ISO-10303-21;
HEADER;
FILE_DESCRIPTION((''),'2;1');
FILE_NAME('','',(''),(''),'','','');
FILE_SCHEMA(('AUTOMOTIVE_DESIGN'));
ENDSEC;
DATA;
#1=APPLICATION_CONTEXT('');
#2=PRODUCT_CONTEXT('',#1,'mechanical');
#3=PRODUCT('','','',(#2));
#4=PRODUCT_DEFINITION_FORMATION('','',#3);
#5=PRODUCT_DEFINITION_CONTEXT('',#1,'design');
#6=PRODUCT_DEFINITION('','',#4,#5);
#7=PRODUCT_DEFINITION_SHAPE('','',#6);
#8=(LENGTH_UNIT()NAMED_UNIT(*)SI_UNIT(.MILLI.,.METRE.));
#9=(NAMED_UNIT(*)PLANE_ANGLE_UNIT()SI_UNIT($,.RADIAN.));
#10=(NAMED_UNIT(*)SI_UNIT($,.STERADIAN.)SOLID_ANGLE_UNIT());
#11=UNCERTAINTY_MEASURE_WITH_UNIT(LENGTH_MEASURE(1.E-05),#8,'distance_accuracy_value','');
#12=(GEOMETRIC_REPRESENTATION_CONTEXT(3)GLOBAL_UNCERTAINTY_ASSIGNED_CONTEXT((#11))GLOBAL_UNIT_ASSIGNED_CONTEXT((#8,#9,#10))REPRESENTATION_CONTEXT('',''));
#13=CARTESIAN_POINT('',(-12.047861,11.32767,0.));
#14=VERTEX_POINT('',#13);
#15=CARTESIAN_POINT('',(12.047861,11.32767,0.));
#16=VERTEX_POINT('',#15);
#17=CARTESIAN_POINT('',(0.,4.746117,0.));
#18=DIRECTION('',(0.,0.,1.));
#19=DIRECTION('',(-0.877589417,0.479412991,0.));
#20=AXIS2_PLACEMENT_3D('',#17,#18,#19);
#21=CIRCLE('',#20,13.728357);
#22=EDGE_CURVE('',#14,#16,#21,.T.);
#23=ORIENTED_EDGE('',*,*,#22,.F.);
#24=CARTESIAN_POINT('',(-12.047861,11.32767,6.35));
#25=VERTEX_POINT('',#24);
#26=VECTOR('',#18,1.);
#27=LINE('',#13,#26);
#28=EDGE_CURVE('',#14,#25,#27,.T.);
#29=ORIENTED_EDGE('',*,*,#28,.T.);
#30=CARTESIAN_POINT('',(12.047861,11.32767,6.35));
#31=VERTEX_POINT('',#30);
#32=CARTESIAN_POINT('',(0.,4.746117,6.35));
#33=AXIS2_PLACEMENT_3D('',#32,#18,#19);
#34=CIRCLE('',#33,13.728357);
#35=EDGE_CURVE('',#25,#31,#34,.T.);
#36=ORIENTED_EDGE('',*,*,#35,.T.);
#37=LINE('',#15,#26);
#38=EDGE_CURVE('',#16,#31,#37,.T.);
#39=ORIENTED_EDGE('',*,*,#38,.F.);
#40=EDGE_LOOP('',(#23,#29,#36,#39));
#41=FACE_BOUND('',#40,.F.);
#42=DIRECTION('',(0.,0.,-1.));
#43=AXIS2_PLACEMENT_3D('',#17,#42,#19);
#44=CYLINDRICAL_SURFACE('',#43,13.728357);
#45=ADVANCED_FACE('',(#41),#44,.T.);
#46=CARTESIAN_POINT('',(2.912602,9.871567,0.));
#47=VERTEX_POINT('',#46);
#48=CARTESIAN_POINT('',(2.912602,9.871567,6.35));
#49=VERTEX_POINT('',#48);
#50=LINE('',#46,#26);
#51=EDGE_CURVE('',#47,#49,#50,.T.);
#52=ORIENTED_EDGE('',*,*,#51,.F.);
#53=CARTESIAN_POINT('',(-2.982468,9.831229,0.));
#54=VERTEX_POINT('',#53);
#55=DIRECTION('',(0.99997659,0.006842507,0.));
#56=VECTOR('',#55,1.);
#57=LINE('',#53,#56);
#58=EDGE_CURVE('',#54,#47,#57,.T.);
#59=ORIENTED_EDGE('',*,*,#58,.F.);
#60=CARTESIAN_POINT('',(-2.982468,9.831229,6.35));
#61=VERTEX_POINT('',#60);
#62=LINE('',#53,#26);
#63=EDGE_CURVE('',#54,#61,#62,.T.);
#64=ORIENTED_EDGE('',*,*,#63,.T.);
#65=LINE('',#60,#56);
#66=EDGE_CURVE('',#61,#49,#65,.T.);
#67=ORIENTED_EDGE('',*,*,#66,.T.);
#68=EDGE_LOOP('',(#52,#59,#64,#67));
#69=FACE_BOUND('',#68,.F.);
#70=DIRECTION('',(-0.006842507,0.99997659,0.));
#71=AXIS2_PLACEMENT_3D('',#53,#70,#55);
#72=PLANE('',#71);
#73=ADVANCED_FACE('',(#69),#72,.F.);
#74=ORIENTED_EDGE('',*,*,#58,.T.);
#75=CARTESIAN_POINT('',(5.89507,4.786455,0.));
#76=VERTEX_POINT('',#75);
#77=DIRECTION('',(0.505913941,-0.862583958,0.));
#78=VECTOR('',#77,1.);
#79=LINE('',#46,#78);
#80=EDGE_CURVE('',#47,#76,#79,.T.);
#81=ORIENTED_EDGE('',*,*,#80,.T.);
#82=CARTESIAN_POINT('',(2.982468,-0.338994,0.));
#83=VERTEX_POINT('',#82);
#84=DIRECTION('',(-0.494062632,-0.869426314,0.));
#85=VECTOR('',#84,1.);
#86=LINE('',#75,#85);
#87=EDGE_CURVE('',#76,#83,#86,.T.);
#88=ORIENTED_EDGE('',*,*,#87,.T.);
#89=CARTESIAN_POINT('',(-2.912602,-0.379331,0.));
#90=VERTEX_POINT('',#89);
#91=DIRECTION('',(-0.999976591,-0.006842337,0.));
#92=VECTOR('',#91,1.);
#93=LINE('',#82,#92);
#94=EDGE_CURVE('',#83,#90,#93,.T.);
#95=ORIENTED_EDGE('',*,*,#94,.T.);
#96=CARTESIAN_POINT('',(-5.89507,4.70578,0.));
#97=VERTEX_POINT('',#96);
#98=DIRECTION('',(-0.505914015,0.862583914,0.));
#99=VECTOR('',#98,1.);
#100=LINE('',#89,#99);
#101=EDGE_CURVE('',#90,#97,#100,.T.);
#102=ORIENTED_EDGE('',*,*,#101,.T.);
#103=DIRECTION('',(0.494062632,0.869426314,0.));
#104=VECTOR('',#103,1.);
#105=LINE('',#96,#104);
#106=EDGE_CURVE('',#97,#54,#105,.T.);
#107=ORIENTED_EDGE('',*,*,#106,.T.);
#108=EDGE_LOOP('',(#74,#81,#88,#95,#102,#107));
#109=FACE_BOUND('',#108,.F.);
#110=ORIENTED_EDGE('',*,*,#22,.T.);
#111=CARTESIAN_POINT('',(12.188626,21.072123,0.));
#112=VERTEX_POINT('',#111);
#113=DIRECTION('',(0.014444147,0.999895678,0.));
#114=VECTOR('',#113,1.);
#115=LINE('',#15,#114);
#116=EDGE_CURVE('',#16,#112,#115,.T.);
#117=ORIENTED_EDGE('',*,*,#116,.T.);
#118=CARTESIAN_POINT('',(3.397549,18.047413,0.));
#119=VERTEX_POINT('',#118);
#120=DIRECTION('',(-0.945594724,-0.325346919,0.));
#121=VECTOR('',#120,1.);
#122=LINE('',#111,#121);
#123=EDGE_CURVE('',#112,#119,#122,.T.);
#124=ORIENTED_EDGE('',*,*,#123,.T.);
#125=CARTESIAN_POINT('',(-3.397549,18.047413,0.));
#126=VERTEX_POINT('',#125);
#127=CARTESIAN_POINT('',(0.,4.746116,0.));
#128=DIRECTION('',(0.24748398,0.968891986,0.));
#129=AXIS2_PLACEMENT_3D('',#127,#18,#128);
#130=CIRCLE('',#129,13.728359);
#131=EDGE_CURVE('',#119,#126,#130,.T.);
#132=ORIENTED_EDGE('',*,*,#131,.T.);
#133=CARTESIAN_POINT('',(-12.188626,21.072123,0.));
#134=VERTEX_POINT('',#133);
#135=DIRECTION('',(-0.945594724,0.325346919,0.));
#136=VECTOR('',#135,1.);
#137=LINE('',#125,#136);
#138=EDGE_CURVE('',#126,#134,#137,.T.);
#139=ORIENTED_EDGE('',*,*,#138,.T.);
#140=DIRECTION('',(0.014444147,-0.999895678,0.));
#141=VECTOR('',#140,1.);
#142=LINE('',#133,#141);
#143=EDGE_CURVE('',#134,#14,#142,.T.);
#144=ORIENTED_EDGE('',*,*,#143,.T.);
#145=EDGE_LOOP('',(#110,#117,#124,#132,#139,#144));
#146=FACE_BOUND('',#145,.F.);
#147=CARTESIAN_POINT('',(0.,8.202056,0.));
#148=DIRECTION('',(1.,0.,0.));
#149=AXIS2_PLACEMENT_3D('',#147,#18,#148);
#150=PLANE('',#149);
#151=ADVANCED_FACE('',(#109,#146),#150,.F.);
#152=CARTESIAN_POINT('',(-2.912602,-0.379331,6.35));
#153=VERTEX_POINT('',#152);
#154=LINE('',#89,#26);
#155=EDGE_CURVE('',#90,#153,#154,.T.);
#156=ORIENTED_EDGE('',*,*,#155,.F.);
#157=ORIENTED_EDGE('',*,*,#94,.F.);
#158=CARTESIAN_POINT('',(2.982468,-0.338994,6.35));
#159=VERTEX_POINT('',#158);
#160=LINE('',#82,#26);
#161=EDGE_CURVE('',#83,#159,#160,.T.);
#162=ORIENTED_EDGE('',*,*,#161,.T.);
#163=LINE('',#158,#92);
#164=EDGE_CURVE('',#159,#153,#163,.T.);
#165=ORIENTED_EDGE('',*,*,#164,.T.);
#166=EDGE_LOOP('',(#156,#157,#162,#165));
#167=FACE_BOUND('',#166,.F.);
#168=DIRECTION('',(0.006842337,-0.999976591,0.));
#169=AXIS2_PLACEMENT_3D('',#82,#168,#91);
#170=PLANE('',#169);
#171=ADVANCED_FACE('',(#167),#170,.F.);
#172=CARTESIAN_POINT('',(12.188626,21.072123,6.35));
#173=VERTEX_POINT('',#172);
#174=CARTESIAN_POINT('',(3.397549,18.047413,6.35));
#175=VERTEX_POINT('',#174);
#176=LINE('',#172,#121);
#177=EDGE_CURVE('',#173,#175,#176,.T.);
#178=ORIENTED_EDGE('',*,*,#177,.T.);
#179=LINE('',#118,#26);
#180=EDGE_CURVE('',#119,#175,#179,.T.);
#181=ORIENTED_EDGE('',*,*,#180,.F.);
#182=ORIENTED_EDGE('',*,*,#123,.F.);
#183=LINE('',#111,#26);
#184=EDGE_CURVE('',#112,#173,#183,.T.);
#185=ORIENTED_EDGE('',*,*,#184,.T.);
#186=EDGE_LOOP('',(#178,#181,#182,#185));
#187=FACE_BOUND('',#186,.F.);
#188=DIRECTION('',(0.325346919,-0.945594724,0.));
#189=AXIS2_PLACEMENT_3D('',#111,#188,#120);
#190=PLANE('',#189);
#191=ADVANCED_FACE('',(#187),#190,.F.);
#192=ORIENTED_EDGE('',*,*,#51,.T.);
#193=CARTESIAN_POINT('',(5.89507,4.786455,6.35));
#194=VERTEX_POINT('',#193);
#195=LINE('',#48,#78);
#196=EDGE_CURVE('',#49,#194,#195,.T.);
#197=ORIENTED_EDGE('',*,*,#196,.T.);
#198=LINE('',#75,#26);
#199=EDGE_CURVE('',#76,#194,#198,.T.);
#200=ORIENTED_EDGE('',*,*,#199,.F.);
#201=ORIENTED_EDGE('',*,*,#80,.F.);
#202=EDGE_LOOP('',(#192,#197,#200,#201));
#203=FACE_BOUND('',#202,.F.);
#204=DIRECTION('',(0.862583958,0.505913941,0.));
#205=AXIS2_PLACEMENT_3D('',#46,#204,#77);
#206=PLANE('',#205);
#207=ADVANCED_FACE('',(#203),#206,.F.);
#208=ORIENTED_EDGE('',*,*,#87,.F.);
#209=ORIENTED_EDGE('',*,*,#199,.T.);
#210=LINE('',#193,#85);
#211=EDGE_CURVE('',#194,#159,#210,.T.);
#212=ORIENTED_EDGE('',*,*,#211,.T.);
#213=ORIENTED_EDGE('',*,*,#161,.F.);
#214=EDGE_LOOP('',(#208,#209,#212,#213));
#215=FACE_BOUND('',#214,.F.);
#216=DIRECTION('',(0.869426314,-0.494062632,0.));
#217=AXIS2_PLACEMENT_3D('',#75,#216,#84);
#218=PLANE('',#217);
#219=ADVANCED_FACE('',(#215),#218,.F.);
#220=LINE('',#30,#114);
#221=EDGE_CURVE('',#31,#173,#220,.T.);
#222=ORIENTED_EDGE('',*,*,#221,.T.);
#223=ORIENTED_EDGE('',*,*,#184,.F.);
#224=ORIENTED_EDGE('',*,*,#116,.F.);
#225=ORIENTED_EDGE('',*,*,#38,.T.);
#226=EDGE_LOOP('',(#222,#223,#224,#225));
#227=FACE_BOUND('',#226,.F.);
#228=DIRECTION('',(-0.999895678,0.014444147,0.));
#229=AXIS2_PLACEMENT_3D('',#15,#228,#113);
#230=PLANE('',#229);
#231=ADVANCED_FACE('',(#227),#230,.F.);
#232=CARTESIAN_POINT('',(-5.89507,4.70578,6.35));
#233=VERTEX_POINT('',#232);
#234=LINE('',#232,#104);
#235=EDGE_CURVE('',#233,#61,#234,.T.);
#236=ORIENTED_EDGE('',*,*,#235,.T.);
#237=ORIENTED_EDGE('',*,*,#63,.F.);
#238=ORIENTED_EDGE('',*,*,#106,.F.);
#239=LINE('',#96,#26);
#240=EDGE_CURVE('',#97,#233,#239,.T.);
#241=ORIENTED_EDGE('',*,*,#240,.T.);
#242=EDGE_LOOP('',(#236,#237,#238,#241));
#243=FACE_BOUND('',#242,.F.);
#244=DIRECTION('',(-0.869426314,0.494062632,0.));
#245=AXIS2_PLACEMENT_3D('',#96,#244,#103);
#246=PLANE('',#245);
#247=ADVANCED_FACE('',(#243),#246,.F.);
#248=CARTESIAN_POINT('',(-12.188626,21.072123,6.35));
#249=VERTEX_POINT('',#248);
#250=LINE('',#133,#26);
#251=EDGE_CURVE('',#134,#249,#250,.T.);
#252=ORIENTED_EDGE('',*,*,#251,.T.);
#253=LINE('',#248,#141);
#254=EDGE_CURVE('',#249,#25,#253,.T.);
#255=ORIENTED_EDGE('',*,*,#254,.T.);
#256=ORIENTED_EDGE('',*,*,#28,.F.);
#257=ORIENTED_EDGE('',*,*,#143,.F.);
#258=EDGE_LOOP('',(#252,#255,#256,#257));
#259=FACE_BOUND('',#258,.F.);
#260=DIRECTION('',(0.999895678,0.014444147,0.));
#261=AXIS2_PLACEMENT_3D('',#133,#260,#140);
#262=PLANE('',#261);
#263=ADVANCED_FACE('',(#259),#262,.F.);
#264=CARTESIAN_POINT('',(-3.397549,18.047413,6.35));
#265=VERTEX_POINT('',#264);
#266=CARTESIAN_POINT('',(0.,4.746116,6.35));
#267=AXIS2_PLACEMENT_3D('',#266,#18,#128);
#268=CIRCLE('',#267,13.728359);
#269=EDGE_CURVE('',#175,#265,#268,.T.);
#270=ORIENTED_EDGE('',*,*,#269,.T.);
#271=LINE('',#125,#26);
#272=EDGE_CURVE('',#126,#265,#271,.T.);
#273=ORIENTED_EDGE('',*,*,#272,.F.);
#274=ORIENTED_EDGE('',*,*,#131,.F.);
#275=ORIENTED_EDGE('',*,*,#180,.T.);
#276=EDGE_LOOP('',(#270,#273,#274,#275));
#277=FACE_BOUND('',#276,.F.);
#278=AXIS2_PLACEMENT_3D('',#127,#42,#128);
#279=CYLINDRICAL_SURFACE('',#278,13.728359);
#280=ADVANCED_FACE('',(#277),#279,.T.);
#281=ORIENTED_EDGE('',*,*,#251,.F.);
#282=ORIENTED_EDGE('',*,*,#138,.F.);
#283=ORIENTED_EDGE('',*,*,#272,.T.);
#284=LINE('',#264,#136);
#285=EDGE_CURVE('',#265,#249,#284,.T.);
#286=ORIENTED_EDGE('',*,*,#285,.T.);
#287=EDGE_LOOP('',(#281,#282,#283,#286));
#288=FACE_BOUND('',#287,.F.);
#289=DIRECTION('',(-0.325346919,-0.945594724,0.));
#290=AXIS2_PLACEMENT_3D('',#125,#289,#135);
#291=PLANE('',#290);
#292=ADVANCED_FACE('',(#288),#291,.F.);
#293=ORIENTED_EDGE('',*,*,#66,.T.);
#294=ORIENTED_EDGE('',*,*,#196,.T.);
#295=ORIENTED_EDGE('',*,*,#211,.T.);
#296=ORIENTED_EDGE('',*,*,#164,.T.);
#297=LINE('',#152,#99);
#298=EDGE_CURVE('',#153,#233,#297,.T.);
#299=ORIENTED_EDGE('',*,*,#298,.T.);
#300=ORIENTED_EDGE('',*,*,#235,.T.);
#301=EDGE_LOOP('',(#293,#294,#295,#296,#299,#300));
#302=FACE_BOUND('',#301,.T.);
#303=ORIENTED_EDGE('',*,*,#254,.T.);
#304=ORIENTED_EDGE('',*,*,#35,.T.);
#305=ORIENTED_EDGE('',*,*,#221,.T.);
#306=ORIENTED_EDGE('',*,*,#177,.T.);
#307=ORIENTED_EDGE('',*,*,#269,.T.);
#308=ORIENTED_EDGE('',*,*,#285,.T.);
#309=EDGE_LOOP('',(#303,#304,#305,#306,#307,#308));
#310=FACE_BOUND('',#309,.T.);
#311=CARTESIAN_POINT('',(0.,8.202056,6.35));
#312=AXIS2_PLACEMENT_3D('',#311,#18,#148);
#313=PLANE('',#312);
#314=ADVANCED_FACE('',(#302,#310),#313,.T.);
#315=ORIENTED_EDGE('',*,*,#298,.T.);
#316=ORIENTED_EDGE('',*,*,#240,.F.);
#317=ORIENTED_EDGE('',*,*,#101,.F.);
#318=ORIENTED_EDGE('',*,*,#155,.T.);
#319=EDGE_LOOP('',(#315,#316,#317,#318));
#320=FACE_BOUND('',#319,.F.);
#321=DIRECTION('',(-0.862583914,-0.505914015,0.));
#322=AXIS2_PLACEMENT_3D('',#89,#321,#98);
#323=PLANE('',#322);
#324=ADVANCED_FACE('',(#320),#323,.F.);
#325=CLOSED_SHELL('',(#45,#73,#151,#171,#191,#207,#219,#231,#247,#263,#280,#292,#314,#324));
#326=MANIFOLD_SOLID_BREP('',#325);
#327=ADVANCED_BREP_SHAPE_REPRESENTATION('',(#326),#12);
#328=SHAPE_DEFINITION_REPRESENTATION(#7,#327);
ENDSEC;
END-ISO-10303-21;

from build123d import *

# Parameters (mm, degrees)
F1_DEPTH = 6.35


with BuildPart() as f1:
    # F0 (on Top) → F1 (new body)
    with BuildSketch(Plane.XY):
        with BuildLine():
            Line((-12.188626, 21.072123), (-12.047861, 11.32767))
            ThreePointArc((-12.047861, 11.32767), (0, -8.98224), (12.047861, 11.32767))
            Line((12.047861, 11.32767), (12.188626, 21.072123))
            Line((12.188626, 21.072123), (3.397549, 18.047413))
            ThreePointArc((3.397549, 18.047413), (0, 18.474475), (-3.397549, 18.047413))
            Line((-3.397549, 18.047413), (-12.188626, 21.072123))
        make_face()
        Polygon((-2.982468, 9.831229), (2.912602, 9.871567), (5.89507, 4.786455), (2.982468, -0.338994), (-2.912602, -0.379331), (-5.89507, 4.70578), align=None, mode=Mode.SUBTRACT)
    extrude(amount=F1_DEPTH)


solid = f1.part
